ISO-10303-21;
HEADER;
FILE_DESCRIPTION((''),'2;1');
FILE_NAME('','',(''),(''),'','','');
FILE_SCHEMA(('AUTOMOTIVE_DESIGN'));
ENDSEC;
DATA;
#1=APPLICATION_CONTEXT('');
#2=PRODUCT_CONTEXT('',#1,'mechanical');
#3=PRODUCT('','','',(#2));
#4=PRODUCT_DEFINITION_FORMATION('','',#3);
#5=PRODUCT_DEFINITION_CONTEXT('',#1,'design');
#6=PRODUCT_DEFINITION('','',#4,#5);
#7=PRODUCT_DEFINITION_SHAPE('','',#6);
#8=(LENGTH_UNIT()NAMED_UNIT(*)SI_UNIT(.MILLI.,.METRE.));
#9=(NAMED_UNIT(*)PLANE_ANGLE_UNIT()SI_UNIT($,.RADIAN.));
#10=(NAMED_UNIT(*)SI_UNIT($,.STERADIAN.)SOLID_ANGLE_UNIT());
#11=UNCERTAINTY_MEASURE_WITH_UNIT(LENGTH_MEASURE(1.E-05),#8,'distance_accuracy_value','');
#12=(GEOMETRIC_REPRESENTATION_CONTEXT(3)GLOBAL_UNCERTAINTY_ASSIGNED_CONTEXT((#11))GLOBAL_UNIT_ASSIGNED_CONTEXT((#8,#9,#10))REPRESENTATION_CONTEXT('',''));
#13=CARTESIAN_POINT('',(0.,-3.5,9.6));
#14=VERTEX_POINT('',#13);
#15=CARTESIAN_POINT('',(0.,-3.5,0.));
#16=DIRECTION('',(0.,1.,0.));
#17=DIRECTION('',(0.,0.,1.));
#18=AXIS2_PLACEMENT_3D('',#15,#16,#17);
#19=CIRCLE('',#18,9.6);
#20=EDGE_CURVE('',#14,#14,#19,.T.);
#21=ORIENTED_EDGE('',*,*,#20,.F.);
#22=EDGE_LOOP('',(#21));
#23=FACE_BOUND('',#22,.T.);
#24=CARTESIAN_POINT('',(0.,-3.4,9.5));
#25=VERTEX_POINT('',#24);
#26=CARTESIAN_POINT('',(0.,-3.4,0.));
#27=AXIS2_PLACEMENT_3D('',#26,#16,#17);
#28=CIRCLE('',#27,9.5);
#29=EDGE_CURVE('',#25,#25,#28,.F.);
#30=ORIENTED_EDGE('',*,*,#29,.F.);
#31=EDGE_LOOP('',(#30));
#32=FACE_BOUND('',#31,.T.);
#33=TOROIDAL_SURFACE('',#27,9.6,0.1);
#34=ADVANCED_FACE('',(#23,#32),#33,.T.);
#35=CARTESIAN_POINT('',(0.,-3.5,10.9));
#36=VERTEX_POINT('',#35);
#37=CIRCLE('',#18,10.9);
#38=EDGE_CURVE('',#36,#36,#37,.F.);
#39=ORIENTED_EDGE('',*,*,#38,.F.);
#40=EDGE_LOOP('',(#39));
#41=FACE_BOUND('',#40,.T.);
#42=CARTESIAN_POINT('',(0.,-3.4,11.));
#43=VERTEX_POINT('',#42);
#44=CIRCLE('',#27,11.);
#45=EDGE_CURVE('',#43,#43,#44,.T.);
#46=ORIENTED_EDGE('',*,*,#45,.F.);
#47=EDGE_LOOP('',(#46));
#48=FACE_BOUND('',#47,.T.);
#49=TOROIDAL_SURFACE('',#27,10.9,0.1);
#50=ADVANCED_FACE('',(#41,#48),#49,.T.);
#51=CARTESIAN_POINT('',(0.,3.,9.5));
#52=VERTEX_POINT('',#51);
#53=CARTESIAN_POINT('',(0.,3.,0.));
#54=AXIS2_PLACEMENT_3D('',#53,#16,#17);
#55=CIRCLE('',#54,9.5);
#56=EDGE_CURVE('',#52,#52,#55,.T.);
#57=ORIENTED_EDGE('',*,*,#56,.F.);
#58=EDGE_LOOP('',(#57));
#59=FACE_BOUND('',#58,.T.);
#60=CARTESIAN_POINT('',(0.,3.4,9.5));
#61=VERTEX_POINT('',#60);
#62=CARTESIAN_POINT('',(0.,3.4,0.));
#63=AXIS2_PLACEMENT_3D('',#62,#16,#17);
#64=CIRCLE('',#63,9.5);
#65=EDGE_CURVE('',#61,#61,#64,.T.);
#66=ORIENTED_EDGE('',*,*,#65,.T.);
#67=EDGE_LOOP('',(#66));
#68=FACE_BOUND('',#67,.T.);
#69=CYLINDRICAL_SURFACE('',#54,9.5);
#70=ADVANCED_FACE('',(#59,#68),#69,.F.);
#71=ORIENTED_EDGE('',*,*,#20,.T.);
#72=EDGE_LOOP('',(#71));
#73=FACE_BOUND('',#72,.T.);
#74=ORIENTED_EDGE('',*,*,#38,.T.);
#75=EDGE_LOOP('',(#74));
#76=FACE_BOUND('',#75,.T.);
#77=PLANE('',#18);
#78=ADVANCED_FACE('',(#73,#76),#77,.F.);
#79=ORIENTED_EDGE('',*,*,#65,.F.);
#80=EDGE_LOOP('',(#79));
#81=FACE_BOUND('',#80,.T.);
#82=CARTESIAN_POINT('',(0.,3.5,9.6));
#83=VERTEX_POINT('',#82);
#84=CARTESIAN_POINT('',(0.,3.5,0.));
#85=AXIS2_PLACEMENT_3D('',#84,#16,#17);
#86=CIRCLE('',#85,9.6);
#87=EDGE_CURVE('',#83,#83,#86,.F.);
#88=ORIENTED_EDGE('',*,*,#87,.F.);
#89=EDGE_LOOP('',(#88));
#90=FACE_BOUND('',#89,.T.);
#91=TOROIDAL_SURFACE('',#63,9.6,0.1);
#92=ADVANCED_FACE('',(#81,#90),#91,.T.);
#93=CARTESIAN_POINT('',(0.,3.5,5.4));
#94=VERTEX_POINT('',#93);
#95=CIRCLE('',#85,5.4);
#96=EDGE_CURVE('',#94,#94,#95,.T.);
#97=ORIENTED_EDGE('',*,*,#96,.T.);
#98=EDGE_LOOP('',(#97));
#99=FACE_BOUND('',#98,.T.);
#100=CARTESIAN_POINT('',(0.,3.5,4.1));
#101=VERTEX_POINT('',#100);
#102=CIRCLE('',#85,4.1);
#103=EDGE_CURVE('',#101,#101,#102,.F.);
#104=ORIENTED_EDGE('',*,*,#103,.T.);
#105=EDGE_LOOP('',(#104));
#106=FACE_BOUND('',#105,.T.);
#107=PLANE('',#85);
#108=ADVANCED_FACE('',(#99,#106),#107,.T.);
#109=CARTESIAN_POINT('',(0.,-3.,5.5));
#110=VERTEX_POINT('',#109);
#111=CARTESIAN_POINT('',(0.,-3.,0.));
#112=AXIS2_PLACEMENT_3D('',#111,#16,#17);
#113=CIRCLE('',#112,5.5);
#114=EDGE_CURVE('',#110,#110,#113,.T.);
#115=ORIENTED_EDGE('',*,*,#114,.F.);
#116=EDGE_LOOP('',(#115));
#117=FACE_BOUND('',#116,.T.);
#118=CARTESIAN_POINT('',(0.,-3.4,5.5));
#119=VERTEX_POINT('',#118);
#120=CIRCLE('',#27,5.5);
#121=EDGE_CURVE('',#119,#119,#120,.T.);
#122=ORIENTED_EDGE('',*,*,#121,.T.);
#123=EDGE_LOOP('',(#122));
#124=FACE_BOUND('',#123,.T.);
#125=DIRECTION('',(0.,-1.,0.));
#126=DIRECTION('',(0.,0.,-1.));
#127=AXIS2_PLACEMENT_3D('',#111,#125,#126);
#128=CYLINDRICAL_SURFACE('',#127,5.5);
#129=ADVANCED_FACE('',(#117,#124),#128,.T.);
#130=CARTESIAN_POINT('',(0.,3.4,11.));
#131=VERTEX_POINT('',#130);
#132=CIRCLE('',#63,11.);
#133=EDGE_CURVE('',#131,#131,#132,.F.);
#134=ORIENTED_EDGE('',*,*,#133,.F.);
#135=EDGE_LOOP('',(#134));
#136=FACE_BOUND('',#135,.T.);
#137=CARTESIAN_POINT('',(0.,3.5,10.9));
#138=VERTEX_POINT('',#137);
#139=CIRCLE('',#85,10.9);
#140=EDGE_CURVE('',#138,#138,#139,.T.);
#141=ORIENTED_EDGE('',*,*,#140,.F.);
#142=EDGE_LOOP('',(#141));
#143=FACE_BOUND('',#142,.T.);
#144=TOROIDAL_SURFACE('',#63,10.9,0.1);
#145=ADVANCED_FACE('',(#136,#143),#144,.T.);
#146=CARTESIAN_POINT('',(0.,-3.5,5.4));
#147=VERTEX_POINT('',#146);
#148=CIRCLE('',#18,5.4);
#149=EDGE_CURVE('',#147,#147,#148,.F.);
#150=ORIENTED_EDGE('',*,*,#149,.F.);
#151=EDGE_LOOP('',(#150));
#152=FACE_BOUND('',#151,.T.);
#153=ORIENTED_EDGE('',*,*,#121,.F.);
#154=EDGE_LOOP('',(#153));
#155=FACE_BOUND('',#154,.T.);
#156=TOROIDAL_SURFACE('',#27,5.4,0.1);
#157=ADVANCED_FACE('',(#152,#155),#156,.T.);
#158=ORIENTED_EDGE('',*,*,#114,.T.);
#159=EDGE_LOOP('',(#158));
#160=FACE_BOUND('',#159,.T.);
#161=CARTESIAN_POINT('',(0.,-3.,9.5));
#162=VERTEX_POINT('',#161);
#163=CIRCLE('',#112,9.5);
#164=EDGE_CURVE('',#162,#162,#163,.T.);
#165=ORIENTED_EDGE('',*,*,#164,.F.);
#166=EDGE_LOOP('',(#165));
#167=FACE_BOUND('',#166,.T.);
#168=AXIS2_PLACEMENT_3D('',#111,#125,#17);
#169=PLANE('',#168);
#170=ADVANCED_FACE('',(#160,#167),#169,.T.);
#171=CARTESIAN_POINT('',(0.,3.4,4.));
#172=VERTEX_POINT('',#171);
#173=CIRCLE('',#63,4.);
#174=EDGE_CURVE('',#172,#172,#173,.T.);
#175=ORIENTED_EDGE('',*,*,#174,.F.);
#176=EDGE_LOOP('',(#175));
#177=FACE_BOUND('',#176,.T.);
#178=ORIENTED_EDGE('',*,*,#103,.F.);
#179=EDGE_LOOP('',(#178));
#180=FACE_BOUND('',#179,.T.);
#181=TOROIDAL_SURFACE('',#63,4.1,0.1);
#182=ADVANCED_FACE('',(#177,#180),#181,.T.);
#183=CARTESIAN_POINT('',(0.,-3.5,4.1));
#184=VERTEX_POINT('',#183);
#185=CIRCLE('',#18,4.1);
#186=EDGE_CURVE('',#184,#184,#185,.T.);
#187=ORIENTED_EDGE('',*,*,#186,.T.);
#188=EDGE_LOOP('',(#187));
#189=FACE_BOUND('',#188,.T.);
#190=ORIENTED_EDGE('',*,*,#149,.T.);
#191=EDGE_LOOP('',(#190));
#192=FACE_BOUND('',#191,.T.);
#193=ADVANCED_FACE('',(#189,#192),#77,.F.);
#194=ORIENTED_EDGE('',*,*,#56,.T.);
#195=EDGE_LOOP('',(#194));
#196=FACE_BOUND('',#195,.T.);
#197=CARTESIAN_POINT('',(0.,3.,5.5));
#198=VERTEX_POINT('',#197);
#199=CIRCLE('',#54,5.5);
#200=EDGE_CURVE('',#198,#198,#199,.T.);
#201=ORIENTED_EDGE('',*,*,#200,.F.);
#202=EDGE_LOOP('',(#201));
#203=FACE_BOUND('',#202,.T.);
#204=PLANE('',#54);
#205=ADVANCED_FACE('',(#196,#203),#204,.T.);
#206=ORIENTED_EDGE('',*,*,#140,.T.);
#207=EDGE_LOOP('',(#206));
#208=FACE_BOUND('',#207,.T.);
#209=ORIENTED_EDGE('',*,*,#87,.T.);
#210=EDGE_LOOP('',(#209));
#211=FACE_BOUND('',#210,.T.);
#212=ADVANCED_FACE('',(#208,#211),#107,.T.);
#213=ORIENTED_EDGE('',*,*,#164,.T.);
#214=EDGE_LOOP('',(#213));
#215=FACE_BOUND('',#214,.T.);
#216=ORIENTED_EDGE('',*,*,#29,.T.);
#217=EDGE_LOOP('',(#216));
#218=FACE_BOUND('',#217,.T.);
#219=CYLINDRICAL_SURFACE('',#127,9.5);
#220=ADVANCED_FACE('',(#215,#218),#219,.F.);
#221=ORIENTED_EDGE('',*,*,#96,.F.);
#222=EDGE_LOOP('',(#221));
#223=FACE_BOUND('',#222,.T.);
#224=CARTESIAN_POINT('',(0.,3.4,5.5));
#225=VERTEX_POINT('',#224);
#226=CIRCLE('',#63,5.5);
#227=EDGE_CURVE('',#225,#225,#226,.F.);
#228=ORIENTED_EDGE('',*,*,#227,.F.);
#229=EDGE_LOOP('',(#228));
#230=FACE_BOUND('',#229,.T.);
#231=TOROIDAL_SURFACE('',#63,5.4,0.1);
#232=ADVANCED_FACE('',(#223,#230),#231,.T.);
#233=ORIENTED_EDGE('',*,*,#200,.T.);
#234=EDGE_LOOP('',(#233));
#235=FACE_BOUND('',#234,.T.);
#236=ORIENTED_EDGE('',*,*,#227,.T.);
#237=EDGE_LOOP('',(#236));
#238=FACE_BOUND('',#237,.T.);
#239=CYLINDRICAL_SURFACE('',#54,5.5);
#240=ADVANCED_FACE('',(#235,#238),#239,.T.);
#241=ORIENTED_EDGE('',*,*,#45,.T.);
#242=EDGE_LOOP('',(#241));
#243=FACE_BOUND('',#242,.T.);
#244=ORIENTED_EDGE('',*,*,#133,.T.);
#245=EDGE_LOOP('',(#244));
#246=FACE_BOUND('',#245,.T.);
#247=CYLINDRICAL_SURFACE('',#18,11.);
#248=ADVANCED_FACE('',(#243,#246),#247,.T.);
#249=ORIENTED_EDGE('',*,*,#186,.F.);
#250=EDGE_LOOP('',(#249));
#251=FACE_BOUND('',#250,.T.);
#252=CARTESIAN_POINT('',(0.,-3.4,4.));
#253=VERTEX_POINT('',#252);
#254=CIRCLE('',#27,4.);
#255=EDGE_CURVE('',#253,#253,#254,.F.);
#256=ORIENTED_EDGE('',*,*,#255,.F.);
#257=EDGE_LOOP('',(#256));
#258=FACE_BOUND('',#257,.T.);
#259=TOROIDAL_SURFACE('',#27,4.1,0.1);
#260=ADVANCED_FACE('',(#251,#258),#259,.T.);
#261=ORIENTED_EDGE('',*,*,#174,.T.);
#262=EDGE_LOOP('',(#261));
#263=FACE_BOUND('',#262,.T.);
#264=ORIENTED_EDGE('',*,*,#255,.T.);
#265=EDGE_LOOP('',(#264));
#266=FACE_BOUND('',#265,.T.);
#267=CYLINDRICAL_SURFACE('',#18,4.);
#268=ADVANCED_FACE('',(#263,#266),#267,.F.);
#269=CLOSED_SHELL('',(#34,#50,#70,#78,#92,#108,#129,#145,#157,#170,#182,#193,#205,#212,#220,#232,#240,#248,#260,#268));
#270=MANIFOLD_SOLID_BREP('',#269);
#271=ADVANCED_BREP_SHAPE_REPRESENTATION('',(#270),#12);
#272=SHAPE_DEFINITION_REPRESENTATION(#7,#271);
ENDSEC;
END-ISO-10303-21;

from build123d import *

# Parameters (mm, degrees)
BOSS_EXTRUDE1_DEPTH      = 3.5
BOSS_EXTRUDE1_DEPTH_BACK = 3.5
SKETCH1_R                = 11
SKETCH1_R_2              = 4
SKETCH2_R                = 9.5
SKETCH2_R_2              = 5.5
CUT_EXTRUDE1_DEPTH       = 0.5
FILLET2_R                = 0.1
FILLET3_R                = 0.1


with BuildPart() as part:
    # Sketch1 → Boss-Extrude1 (new, two sides: drawn at the far end of the back side and taken through both)
    with BuildSketch(Plane(origin=(0, 0, 0), x_dir=(1, 0, 0), z_dir=(0, 1, 0)).offset(-BOSS_EXTRUDE1_DEPTH_BACK)):
        with Locations(Location((0, 0, 0), (0, 0, 270))):
            Circle(SKETCH1_R)
        with Locations(Location((0, 0, 0), (0, 0, 270))):
            Circle(SKETCH1_R_2, mode=Mode.SUBTRACT)
    extrude(amount=BOSS_EXTRUDE1_DEPTH + BOSS_EXTRUDE1_DEPTH_BACK)

    # Sketch2 → Cut-Extrude1 (cut)
    with BuildSketch(Plane(origin=(0, 3.5, 0), x_dir=(1, 0, 0), z_dir=(0, 1, 0))):
        with Locations(Location((0, 0, 0), (0, 0, 270))):
            Circle(SKETCH2_R)
        with Locations(Location((0, 0, 0), (0, 0, 270))):
            Circle(SKETCH2_R_2, mode=Mode.SUBTRACT)
    cut_extrude1 = extrude(amount=-CUT_EXTRUDE1_DEPTH, mode=Mode.SUBTRACT)

    # Fillet2
    fillet2_edges = [part.edges().sort_by_distance(p)[0] for p in [
        (0, 3.5, -9.5),
        (0, 3.5, -5.5),
        (0, 3.5, -11),
        (0, 3.5, -4),
    ]]
    fillet(fillet2_edges, radius=FILLET2_R)

    # Mirror4: Cut-Extrude1 across plane
    add(cut_extrude1.mirror(Plane.ZX), mode=Mode.SUBTRACT)

    # Fillet3
    fillet3_edges = [part.edges().sort_by_distance(p)[0] for p in [
        (0, -3.5, -5.5),
        (0, -3.5, -9.5),
        (0, -3.5, -11),
        (0, -3.5, -4),
    ]]
    fillet(fillet3_edges, radius=FILLET3_R)


solid = part.part
